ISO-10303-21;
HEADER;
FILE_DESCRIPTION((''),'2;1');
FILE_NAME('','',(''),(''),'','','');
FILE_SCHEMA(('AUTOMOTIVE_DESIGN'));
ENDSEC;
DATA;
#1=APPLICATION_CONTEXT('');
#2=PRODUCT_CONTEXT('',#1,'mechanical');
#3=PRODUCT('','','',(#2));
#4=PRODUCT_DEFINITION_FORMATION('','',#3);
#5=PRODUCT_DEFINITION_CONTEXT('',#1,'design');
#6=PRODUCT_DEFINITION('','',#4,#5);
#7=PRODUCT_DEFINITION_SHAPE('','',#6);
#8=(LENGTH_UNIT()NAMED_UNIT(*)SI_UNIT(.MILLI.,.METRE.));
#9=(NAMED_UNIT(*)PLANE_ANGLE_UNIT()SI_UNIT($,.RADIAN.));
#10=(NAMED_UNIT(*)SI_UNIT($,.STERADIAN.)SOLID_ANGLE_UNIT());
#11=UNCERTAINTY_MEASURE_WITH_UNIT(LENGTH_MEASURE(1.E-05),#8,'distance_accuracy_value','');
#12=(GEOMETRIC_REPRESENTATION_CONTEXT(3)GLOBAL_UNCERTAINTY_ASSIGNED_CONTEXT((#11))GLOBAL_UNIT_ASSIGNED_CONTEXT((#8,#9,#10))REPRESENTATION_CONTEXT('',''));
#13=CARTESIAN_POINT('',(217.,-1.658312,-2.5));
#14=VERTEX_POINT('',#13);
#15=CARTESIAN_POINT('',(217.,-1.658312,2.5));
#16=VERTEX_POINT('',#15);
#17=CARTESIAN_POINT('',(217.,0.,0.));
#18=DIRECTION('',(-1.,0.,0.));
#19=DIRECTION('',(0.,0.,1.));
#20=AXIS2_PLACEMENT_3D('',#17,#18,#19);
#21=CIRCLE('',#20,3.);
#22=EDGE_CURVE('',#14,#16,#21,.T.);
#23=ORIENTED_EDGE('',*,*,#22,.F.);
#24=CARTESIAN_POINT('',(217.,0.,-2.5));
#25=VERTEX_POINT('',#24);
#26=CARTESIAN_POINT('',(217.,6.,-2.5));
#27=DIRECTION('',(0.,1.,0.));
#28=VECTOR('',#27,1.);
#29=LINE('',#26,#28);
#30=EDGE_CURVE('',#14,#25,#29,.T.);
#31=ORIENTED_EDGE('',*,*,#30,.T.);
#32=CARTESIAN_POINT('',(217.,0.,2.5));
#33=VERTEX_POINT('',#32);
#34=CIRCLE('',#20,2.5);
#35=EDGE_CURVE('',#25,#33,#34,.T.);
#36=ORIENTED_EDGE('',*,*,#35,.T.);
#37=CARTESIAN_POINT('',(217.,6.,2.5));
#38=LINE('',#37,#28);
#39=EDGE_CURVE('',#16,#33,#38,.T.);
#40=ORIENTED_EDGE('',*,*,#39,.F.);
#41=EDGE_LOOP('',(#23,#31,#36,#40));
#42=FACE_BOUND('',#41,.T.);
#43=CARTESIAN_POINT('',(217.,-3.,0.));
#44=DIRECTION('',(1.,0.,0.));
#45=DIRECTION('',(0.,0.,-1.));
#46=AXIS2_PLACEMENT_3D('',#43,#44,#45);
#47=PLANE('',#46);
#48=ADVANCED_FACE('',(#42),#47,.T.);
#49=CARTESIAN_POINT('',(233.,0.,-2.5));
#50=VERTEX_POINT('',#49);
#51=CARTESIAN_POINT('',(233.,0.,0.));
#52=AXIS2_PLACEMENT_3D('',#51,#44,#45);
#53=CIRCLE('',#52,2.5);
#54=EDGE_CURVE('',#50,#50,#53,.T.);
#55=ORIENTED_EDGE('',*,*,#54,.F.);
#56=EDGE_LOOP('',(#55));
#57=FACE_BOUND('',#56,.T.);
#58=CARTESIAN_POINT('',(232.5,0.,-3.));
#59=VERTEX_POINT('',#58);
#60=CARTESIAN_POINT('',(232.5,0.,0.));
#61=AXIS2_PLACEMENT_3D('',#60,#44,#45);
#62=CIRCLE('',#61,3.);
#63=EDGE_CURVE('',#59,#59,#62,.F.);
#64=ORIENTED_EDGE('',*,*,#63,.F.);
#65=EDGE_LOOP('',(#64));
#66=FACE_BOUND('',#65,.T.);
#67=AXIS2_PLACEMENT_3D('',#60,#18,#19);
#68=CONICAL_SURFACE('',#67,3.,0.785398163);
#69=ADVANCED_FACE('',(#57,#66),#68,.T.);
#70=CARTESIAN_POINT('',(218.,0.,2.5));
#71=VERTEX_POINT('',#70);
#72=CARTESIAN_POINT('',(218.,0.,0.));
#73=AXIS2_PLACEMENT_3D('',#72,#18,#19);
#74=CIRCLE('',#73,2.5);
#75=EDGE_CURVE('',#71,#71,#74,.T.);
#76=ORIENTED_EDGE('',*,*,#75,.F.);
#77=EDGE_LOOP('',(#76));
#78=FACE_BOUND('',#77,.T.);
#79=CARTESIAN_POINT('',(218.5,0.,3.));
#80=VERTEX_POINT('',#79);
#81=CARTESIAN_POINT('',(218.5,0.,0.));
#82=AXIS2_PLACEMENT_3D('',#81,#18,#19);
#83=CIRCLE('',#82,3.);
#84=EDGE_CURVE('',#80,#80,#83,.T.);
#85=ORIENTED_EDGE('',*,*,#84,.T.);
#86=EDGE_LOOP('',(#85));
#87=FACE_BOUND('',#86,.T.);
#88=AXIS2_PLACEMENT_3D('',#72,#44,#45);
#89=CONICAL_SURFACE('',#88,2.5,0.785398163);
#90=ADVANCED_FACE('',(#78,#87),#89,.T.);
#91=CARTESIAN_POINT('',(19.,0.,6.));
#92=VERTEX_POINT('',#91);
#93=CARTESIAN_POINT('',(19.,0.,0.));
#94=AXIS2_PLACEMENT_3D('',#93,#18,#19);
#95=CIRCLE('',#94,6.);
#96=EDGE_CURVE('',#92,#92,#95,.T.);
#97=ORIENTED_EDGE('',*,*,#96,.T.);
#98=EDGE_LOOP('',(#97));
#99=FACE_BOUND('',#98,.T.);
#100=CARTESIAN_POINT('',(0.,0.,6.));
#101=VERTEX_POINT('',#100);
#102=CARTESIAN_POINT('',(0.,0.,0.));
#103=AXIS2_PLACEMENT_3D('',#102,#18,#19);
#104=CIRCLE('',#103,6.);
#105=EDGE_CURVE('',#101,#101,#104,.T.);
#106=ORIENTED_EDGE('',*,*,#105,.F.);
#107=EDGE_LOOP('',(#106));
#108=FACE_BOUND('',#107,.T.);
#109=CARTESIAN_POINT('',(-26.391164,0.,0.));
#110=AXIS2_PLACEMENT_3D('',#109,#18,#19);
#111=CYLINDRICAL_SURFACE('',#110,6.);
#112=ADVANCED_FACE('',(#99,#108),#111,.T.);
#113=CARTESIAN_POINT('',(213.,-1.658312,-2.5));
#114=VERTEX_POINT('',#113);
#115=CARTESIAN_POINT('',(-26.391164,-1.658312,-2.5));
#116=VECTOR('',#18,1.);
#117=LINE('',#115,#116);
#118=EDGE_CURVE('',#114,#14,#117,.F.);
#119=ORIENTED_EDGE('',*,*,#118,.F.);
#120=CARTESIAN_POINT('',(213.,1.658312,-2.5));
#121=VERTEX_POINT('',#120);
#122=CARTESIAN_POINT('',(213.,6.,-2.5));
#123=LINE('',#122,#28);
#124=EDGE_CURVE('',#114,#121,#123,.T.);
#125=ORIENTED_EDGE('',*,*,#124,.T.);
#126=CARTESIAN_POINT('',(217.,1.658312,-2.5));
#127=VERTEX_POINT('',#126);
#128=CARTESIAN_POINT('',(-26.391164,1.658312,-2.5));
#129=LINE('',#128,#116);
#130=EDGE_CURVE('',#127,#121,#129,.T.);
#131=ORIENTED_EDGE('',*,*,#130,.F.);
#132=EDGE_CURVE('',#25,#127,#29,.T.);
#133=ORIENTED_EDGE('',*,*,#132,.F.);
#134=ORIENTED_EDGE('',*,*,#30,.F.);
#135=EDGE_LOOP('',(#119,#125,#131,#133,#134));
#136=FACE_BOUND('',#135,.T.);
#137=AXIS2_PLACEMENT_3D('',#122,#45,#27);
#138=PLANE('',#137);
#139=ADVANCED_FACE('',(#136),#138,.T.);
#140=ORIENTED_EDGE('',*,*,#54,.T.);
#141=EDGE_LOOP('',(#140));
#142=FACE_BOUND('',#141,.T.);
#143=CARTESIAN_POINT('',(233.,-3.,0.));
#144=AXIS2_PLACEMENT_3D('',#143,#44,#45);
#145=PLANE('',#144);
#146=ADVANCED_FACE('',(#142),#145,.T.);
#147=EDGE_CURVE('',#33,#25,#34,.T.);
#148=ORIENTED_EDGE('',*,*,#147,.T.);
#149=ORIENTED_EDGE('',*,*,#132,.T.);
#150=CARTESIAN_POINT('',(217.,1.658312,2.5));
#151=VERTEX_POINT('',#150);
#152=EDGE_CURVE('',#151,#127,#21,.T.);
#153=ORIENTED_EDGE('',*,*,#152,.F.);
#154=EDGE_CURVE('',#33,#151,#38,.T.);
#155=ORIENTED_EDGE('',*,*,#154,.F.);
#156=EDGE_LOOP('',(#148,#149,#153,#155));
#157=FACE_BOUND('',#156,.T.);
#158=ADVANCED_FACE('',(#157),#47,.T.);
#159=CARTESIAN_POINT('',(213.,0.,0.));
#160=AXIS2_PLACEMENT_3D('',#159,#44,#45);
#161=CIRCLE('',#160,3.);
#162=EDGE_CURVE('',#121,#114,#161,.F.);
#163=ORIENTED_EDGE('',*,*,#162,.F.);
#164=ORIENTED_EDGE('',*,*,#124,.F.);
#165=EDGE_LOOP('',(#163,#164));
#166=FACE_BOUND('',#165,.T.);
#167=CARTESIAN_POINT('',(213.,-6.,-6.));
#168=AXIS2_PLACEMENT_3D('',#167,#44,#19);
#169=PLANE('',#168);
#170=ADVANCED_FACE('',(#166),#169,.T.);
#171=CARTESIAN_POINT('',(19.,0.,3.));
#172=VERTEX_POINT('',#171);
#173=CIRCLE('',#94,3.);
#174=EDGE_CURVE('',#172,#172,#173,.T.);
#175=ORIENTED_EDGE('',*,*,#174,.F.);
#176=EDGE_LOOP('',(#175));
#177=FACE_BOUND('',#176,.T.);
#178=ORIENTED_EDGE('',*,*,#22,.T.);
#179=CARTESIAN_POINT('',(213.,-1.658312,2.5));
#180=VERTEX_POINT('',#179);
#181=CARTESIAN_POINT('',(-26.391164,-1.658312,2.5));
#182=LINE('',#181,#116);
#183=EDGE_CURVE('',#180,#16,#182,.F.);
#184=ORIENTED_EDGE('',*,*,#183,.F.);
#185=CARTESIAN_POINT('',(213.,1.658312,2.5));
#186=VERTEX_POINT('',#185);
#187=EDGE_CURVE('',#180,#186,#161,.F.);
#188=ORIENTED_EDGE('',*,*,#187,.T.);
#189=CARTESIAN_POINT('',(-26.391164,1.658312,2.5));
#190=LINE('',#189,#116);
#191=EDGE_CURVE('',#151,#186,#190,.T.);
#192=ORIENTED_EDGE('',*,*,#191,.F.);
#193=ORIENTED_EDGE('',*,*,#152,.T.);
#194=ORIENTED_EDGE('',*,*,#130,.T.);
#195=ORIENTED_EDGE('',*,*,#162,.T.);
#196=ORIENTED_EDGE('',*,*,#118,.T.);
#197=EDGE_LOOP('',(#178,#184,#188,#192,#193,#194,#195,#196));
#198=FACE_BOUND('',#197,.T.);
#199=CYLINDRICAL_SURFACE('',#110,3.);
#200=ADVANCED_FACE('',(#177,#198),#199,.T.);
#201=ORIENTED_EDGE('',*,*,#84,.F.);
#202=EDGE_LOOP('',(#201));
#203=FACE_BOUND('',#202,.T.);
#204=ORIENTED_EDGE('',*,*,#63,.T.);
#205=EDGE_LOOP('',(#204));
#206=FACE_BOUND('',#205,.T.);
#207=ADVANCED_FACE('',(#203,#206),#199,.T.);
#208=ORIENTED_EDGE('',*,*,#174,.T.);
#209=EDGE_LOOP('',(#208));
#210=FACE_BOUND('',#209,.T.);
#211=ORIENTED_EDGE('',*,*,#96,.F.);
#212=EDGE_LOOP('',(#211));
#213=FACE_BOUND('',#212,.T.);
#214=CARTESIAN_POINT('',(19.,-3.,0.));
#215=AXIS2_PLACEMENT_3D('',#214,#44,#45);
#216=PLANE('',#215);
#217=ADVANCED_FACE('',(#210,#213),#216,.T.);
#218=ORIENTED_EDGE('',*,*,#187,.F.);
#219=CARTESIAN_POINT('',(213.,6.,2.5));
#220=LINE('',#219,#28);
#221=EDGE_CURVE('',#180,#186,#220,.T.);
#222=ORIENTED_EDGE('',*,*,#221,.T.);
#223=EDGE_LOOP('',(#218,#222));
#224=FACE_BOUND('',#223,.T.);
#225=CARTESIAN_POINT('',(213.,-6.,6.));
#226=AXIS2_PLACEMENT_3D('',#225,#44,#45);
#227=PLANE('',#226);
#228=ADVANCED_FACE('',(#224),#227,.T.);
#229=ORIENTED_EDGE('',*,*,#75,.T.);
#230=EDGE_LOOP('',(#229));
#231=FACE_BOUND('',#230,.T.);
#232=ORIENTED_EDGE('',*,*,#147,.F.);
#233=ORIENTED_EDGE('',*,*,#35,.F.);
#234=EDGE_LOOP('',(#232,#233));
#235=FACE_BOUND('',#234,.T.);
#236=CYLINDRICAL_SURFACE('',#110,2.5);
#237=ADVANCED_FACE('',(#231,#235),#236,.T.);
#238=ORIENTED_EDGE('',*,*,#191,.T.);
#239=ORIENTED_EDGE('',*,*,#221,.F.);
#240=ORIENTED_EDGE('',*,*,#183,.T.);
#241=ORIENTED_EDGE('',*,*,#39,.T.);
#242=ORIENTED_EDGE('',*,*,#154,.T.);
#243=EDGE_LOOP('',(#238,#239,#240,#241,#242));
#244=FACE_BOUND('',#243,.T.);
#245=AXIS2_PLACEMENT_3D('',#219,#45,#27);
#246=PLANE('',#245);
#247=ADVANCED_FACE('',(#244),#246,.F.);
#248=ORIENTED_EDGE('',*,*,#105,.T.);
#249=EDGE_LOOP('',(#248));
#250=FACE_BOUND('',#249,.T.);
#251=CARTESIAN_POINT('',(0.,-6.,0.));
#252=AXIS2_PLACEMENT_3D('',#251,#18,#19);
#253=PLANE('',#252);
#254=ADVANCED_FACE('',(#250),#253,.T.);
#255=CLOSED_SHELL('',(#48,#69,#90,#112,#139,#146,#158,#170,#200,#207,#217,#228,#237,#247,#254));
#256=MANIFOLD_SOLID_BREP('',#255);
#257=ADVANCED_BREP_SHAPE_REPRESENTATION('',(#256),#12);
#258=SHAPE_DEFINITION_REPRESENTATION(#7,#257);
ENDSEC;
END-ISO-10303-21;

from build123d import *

# Parameters (mm, degrees)
CHAMFER1_SIZE      = 0.5
SKETCH2_W          = 3.5
SKETCH2_H          = 12
CUT_EXTRUDE1_DEPTH = 4


with BuildPart() as part:
    # Sketch1 → Revolve1 (revolve)
    with BuildSketch(Plane.XY):
        Polygon((0, -6), (0, 0), (233, 0), (233, -3), (218.5, -3), (218, -2.5), (217, -2.5), (217, -3), (19, -3), (19, -6), align=None)
    revolve(axis=Axis((-26.391164048, 0, 0), (1, 0, 0)))

    # Chamfer1
    chamfer1_edges = [part.edges().sort_by_distance(p)[0] for p in [
        (233, 3, 0),
    ]]
    chamfer(chamfer1_edges, length=CHAMFER1_SIZE)

    # Sketch2 → Cut-Extrude1 (cut)
    with BuildSketch(Plane(origin=(217, 0, 0), x_dir=(0, 0, -1), z_dir=(1, 0, 0))):
        with Locations((-4.25, 0)):
            Rectangle(SKETCH2_W, SKETCH2_H)
    cut_extrude1 = extrude(amount=-CUT_EXTRUDE1_DEPTH, mode=Mode.SUBTRACT)

    # Mirror1: Cut-Extrude1 across plane
    add(cut_extrude1.mirror(Plane.XY), mode=Mode.SUBTRACT)


solid = part.part
